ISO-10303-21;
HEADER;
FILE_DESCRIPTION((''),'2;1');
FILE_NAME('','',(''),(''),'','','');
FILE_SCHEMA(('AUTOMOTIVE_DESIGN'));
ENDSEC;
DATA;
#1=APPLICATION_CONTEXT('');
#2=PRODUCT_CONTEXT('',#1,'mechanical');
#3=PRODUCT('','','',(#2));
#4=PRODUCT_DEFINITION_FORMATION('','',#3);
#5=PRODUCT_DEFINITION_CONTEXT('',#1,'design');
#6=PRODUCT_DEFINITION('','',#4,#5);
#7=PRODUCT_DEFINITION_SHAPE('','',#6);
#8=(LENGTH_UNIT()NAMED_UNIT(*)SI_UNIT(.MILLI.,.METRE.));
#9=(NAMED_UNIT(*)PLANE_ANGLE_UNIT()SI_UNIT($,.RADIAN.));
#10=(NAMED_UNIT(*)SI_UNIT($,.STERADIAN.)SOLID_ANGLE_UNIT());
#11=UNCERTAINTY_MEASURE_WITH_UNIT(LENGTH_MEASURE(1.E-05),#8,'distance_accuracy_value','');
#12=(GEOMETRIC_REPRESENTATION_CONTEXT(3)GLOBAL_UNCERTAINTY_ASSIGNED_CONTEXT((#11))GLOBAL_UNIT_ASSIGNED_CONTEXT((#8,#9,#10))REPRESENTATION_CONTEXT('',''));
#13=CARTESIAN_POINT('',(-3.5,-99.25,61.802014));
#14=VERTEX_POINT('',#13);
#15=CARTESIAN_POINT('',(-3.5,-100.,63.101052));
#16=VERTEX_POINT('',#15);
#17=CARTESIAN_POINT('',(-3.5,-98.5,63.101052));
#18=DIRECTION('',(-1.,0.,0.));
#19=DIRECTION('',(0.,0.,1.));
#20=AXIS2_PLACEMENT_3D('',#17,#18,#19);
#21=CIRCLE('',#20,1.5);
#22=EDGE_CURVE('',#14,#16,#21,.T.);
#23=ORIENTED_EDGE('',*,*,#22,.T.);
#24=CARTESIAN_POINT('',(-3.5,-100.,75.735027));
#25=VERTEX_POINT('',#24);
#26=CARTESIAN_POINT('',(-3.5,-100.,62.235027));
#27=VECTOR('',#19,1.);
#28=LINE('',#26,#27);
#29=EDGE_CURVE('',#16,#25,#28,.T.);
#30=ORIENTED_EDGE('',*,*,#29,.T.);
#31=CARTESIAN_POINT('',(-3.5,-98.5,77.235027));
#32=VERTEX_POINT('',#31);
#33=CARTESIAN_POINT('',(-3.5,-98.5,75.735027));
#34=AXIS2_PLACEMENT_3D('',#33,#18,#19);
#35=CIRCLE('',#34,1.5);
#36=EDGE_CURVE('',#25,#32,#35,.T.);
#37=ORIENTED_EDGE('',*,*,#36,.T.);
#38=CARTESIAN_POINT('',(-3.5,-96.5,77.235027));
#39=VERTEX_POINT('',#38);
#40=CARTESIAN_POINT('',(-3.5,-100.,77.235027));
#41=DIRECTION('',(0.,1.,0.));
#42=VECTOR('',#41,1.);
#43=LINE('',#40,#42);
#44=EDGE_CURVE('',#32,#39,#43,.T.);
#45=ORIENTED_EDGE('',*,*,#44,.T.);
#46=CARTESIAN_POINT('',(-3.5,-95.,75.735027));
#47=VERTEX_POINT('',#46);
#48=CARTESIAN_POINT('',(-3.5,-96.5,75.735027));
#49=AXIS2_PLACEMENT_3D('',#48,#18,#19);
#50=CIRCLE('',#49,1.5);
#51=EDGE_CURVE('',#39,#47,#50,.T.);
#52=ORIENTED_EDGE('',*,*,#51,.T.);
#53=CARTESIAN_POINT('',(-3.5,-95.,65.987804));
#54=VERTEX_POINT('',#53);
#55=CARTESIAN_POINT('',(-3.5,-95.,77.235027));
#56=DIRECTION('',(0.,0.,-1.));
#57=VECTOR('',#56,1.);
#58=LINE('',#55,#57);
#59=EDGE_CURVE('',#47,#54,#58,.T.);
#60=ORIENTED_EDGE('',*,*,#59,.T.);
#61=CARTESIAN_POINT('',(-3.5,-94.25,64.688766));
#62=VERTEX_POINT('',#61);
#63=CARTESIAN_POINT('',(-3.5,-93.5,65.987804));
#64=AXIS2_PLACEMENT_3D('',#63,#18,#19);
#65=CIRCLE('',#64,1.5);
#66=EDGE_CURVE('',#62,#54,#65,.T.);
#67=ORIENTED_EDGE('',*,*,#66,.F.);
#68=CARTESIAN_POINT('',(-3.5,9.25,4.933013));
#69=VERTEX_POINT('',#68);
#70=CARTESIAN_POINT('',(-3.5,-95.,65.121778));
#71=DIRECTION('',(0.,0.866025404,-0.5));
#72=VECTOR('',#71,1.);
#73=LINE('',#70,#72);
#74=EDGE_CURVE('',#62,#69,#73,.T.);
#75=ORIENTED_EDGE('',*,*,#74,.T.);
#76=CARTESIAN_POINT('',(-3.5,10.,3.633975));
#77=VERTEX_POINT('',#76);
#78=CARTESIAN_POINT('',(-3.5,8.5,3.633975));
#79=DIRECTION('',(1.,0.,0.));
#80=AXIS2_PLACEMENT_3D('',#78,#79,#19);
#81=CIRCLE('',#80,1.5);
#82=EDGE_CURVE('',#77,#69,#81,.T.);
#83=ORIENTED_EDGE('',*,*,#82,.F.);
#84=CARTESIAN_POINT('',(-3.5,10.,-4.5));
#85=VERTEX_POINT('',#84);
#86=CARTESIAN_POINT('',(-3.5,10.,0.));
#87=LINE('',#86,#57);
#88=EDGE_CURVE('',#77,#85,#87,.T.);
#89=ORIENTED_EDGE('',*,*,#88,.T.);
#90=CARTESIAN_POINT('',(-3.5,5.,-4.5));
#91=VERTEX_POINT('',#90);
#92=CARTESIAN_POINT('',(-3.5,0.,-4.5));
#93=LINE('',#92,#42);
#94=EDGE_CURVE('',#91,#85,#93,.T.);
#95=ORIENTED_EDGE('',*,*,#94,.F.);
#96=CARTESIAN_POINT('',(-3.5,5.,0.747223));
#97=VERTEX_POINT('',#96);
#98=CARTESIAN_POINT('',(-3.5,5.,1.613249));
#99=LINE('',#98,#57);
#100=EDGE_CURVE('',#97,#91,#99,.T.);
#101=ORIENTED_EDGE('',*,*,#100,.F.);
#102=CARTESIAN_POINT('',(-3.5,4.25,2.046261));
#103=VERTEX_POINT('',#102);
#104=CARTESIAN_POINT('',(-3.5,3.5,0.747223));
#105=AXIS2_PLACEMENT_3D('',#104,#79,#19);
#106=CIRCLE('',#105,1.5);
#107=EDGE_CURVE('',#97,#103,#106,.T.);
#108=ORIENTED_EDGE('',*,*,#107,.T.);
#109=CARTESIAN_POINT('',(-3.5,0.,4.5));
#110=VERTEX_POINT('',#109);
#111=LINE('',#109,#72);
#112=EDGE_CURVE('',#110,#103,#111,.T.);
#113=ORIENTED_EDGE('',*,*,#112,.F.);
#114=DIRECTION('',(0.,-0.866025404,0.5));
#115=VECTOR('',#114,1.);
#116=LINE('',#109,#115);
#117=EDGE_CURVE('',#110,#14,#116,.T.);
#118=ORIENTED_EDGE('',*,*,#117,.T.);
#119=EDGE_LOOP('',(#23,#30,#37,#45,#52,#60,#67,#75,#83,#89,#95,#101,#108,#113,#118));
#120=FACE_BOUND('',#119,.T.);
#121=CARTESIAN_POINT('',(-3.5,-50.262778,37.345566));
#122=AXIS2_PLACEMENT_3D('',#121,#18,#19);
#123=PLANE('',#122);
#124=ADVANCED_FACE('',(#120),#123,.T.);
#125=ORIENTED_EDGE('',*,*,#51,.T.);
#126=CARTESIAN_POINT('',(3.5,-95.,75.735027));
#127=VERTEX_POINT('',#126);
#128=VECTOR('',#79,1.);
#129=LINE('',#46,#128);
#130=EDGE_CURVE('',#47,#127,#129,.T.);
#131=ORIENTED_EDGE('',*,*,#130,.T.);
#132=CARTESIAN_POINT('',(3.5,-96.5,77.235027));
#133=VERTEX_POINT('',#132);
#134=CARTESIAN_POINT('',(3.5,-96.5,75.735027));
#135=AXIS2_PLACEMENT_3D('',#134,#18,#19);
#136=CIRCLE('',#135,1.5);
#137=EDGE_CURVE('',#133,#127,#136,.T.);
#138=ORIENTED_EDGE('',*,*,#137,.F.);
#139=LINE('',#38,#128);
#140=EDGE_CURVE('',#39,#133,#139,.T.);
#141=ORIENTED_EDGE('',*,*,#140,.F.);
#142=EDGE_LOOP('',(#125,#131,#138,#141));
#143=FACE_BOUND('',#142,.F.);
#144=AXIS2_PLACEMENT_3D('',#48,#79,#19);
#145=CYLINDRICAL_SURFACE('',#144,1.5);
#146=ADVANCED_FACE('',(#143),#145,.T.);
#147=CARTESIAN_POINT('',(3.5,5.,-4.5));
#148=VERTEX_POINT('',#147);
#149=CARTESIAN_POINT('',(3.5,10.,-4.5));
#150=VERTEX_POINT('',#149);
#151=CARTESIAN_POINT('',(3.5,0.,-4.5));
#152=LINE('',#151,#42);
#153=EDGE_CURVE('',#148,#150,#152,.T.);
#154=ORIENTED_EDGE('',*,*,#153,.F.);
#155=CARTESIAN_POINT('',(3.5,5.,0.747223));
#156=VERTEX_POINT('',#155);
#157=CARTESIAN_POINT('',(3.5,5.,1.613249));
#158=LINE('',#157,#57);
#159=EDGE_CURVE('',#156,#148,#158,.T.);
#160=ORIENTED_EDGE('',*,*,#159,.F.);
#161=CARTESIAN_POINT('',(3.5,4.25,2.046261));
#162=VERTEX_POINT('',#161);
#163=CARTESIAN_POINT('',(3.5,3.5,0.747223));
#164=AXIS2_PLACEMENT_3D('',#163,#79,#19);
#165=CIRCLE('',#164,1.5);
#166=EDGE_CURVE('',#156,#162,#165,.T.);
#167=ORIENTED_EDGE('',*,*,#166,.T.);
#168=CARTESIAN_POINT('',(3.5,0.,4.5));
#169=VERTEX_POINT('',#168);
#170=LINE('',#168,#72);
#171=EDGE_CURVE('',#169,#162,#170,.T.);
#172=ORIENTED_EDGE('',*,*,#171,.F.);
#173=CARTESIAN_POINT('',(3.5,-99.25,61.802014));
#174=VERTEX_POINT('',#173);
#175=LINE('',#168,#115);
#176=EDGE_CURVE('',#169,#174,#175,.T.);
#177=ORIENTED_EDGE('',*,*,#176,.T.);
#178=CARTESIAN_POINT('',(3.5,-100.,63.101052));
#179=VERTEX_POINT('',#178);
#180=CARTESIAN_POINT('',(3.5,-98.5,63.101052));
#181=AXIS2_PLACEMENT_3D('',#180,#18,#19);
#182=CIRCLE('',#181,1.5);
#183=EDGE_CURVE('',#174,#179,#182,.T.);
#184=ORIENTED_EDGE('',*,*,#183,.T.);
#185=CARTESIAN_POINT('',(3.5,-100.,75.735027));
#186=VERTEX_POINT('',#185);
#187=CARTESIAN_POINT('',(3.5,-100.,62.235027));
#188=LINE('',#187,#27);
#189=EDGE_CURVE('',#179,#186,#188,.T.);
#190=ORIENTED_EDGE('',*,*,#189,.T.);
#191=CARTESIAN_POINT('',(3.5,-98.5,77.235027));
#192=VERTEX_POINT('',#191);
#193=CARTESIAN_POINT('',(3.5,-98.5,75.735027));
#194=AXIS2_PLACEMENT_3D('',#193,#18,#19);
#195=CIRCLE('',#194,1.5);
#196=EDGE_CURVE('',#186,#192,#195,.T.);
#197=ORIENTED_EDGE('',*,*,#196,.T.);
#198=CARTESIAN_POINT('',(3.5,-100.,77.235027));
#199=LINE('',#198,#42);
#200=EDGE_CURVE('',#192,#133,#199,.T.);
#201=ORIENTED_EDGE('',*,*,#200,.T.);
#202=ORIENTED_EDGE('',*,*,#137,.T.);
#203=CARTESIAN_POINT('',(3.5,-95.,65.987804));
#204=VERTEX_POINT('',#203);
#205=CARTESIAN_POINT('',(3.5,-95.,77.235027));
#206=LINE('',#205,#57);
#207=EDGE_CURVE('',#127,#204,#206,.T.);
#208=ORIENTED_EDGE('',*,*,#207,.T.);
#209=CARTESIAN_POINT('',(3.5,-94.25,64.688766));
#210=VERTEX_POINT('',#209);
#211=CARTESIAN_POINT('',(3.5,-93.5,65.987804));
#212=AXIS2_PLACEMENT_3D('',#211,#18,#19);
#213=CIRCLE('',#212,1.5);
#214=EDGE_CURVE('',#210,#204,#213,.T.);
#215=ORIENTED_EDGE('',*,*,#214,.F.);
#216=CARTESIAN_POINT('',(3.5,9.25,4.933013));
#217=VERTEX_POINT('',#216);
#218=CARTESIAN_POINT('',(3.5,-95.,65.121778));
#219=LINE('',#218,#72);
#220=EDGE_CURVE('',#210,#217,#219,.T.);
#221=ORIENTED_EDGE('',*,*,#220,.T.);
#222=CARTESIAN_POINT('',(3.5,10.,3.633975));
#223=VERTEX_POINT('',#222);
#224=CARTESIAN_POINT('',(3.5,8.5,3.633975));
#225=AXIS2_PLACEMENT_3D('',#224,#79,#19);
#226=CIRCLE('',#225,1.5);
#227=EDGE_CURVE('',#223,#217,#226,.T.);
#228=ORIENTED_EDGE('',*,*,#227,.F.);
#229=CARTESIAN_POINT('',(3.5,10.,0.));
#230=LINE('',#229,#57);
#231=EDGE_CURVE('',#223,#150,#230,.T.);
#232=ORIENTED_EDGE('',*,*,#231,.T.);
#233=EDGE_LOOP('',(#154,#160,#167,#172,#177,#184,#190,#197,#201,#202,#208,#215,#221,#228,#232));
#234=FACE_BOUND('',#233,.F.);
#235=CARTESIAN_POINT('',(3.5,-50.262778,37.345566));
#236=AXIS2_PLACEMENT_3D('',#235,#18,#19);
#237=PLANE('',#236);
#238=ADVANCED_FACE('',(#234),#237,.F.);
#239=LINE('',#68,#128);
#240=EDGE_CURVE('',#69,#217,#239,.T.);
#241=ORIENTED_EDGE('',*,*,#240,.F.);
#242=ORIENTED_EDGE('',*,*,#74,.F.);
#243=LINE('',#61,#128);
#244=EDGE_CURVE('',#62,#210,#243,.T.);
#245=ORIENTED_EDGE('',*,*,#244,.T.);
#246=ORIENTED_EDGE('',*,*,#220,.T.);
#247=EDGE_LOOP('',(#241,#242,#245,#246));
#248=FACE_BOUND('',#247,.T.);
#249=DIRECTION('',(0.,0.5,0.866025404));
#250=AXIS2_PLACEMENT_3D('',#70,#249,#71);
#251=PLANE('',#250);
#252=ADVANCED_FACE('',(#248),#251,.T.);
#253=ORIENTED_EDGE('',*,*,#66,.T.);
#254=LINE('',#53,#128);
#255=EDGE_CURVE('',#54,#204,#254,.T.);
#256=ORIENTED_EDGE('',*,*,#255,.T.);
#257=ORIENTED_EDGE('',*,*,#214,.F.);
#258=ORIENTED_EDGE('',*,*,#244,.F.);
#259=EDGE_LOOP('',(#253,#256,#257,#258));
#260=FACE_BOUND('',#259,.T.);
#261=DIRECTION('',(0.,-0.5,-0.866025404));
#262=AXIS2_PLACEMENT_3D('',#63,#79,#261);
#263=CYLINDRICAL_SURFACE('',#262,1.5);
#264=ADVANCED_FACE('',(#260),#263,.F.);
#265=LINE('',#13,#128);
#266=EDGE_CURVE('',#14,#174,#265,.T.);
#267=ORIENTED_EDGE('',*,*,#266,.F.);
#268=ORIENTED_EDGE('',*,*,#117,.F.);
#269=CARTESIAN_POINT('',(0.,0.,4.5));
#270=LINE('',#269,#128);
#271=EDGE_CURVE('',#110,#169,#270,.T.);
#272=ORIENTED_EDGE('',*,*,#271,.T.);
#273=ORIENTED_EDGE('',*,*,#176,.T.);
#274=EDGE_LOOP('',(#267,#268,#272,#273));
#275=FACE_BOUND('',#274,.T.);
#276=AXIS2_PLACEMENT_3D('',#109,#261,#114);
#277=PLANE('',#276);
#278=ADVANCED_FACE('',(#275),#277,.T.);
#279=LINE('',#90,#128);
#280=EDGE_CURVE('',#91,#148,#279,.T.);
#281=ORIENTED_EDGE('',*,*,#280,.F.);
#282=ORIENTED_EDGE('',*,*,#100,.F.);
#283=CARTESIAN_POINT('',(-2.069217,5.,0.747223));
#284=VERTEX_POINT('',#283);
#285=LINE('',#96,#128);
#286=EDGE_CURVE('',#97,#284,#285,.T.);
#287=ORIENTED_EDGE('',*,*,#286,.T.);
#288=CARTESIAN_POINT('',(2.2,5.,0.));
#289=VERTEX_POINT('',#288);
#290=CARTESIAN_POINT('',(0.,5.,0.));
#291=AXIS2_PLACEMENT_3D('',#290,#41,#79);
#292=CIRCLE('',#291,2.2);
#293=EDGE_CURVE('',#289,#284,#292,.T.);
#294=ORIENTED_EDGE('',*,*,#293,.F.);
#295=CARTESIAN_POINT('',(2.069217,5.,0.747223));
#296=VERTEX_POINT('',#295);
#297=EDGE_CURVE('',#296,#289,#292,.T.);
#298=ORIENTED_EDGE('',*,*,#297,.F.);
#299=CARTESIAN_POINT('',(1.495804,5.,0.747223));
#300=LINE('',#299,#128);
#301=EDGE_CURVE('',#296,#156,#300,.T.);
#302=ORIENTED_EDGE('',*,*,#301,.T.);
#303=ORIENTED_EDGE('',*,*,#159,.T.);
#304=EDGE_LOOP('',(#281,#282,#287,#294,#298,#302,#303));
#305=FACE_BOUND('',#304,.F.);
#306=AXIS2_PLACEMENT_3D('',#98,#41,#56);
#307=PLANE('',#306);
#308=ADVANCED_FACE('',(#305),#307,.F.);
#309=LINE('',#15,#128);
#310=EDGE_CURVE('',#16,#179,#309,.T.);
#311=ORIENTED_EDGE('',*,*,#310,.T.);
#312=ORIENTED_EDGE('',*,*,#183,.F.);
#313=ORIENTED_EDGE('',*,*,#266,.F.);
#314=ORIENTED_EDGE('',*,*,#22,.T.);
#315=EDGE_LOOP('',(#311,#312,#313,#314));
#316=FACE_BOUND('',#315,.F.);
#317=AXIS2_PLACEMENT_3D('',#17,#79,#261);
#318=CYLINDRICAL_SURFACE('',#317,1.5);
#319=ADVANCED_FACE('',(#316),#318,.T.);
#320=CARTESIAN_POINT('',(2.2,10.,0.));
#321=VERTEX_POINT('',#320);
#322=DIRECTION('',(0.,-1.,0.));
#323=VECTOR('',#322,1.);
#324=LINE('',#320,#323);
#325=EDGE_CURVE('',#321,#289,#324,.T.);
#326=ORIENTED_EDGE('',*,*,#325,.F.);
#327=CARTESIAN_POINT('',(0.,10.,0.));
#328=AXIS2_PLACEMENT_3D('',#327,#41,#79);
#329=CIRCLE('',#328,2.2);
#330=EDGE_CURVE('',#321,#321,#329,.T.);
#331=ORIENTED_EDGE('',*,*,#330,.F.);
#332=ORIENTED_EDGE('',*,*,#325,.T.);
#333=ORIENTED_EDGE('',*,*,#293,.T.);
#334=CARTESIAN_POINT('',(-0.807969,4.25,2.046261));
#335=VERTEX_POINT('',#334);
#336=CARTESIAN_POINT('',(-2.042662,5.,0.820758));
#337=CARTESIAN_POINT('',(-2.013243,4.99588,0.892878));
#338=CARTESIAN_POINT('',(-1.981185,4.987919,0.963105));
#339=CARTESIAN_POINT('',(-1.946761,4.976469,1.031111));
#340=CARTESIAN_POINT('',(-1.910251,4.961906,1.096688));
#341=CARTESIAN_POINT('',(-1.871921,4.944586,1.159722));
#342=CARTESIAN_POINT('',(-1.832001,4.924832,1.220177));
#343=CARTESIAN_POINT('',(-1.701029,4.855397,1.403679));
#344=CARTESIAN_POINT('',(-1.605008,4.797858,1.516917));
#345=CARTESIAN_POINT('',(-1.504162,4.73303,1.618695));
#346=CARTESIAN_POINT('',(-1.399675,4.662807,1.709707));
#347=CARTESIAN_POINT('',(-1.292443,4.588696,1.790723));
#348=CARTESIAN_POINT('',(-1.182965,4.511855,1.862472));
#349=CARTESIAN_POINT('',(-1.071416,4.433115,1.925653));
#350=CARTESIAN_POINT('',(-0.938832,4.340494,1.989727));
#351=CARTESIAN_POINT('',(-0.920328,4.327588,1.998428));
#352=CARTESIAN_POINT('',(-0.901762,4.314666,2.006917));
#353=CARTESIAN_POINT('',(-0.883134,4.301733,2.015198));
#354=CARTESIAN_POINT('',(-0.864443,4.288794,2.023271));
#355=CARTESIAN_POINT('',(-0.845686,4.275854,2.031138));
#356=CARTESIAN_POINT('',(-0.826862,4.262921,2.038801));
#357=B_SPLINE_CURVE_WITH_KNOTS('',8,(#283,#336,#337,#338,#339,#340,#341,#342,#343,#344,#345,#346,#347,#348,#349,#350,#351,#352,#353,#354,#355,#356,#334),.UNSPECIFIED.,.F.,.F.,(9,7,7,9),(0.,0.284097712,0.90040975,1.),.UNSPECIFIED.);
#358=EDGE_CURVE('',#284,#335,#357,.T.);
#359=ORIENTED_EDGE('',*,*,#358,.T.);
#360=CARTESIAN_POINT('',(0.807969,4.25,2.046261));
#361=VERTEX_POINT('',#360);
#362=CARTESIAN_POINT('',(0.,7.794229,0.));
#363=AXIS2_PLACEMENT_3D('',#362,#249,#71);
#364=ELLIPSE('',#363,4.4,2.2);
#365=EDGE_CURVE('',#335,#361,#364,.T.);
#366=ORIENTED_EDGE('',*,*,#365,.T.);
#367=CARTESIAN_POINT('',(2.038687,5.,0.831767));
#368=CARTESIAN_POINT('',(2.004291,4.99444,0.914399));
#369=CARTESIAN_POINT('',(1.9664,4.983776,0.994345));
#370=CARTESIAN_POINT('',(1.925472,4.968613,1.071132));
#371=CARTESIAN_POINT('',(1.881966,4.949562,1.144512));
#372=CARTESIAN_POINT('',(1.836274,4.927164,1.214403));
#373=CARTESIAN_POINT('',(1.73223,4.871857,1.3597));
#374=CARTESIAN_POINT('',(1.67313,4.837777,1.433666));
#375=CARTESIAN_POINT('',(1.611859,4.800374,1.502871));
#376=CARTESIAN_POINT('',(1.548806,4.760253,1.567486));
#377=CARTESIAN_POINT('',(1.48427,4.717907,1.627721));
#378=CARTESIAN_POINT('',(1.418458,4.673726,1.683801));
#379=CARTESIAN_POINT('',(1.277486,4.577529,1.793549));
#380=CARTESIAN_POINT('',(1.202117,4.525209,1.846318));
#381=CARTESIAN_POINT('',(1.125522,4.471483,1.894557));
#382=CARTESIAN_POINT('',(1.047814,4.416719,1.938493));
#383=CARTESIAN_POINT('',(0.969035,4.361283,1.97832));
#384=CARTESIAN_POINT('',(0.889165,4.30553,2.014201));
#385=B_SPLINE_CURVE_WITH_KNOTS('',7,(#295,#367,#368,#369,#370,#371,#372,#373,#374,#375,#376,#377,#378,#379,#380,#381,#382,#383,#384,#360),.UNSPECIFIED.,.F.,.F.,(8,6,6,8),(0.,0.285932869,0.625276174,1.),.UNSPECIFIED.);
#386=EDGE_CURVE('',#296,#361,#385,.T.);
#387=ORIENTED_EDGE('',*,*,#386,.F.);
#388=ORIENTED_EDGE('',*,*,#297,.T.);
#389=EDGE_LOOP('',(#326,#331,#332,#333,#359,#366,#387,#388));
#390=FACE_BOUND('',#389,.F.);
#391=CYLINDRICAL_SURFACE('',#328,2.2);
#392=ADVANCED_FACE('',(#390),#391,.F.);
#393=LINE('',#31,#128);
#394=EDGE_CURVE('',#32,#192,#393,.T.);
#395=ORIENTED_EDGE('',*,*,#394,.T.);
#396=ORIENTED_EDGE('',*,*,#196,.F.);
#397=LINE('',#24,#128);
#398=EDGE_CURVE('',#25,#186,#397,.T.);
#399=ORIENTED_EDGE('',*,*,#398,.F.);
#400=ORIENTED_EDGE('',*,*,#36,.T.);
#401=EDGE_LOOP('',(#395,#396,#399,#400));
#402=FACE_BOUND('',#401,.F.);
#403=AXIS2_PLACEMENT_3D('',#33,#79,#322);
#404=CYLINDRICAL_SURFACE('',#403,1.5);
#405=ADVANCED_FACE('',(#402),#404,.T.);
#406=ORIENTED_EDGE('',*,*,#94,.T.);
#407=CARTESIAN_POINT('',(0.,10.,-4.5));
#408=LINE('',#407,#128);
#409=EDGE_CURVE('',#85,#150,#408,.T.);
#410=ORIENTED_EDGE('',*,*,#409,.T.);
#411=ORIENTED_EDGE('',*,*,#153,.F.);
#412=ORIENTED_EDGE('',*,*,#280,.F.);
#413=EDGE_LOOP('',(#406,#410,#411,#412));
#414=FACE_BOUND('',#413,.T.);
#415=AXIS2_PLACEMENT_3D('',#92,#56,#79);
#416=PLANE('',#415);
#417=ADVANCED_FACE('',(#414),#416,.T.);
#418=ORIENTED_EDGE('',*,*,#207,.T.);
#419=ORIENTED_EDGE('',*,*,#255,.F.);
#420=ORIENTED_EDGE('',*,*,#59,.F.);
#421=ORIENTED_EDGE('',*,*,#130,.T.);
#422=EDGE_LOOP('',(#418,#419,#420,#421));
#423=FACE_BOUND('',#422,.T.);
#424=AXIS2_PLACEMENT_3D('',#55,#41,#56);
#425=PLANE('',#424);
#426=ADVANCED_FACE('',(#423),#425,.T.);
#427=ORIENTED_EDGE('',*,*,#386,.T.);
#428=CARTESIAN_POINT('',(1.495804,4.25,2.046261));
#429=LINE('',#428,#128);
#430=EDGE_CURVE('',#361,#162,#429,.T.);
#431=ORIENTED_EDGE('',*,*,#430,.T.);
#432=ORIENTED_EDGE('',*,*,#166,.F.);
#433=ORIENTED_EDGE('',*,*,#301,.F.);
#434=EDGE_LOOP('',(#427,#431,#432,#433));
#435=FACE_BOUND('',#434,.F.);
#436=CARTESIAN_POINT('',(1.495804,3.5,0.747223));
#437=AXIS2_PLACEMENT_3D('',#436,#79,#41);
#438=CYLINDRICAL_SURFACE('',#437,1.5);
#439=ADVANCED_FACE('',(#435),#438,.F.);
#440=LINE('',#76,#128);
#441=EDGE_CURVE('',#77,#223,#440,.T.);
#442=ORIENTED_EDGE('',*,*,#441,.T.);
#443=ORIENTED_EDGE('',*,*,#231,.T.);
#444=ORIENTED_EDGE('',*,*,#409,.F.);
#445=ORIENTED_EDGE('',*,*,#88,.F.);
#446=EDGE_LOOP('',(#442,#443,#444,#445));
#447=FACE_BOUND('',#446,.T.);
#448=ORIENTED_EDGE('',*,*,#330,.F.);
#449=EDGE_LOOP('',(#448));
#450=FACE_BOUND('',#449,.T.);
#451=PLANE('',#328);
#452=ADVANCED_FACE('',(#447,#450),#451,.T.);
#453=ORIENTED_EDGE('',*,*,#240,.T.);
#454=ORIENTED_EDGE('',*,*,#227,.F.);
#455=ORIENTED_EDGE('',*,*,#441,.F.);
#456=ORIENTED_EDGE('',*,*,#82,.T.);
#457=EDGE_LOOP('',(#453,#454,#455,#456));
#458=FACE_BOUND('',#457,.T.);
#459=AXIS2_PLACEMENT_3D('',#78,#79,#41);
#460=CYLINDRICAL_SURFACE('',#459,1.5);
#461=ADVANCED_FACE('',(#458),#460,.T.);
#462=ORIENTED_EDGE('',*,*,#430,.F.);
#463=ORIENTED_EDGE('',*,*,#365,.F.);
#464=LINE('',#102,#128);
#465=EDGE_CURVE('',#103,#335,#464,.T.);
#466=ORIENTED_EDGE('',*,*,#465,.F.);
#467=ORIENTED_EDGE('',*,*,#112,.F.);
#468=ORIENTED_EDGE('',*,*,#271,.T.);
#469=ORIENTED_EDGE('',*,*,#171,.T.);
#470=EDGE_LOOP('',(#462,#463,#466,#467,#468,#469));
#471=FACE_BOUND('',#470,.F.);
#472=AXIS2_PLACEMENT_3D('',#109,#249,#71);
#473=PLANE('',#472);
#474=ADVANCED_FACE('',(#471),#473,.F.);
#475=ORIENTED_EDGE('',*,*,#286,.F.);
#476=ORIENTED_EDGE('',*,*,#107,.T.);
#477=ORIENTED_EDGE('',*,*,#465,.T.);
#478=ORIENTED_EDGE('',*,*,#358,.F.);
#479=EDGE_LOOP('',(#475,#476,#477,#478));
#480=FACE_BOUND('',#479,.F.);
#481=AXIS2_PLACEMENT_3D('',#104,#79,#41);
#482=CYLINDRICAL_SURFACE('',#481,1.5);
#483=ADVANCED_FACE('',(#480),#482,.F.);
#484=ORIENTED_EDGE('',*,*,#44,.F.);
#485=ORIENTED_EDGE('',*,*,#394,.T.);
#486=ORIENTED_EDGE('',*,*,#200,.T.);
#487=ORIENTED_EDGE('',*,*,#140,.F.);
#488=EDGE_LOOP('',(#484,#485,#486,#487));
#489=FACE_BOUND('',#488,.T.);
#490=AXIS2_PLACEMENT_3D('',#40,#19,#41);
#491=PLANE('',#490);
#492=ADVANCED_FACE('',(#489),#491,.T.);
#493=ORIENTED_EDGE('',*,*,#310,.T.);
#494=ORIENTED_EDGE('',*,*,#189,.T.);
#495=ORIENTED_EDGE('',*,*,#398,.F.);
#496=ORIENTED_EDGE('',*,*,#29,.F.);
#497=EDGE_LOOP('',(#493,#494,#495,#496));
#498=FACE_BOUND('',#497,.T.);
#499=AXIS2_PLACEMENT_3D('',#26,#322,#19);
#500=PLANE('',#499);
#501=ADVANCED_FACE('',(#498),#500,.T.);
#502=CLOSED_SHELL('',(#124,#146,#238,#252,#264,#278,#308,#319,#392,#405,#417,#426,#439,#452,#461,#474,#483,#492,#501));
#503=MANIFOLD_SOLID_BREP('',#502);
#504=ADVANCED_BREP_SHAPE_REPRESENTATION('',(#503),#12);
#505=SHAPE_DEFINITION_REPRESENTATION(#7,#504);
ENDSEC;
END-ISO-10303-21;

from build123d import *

# Parameters (mm, degrees)
SKETCH_1_W          = 7
SKETCH_1_H          = 9
EXTRUDE_1_DEPTH     = 10
SKETCH_2_R          = 2.2
CUT_EXTRUDE_1_DEPTH = 10
EXTRUDE_2_DEPTH     = 7
CUT_EXTRUDE_2_DEPTH = 7
FILLET_2_R          = 1.5
FILLET_3_R          = 1.5
FILLET_4_R          = 1.5


with BuildPart() as part:
    # 草图1 → 凸台-拉伸1 (new body)
    with BuildSketch(Plane(origin=(0, 0, 0), x_dir=(1, 0, 0), z_dir=(0, 1, 0))):
        Rectangle(SKETCH_1_W, SKETCH_1_H)
    extrude(amount=EXTRUDE_1_DEPTH)

    # 草图2 → 切除-拉伸1 (cut)
    with BuildSketch(Plane(origin=(0, 10, 0), x_dir=(1, 0, 0), z_dir=(0, 1, 0))):
        Circle(SKETCH_2_R)
    extrude(amount=-CUT_EXTRUDE_1_DEPTH, mode=Mode.SUBTRACT)

    # 草图3 → 凸台-拉伸2 (add)
    with BuildSketch(Plane.ZY.offset(3.5)):
        Polygon((4.5, 10), (4.5, 0), (62.235026919, -100), (77.235026919, -100), (77.235026919, -95), (65.121778265, -95), align=None)
    extrude(amount=-EXTRUDE_2_DEPTH)

    # 草图4 → 切除-拉伸2 (cut)
    with BuildSketch(Plane.ZY.offset(3.5)):
        Polygon((4.5, 0), (1.613248654, 5), (-4.5, 5), (-4.5, 0), align=None)
    extrude(amount=-CUT_EXTRUDE_2_DEPTH, mode=Mode.SUBTRACT)

    # 圆角2
    fillet_2_edges = [part.edges().sort_by_distance(p)[0] for p in [
        (0, 10, 4.5),
    ]]
    fillet(fillet_2_edges, radius=FILLET_2_R)

    # 圆角3
    fillet_3_edges = [part.edges().sort_by_distance(p)[0] for p in [
        (2.497901862, 5, 1.613248654),
        (-2.497901862, 5, 1.613248654),
    ]]
    fillet(fillet_3_edges, radius=FILLET_3_R)

    # 圆角4
    fillet_4_edges = [part.edges().sort_by_distance(p)[0] for p in [
        (0, -100, 77.235026919),
        (0, -100, 62.235026919),
        (0, -95, 65.121778265),
        (0, -95, 77.235026919),
    ]]
    fillet(fillet_4_edges, radius=FILLET_4_R)


solid = part.part
